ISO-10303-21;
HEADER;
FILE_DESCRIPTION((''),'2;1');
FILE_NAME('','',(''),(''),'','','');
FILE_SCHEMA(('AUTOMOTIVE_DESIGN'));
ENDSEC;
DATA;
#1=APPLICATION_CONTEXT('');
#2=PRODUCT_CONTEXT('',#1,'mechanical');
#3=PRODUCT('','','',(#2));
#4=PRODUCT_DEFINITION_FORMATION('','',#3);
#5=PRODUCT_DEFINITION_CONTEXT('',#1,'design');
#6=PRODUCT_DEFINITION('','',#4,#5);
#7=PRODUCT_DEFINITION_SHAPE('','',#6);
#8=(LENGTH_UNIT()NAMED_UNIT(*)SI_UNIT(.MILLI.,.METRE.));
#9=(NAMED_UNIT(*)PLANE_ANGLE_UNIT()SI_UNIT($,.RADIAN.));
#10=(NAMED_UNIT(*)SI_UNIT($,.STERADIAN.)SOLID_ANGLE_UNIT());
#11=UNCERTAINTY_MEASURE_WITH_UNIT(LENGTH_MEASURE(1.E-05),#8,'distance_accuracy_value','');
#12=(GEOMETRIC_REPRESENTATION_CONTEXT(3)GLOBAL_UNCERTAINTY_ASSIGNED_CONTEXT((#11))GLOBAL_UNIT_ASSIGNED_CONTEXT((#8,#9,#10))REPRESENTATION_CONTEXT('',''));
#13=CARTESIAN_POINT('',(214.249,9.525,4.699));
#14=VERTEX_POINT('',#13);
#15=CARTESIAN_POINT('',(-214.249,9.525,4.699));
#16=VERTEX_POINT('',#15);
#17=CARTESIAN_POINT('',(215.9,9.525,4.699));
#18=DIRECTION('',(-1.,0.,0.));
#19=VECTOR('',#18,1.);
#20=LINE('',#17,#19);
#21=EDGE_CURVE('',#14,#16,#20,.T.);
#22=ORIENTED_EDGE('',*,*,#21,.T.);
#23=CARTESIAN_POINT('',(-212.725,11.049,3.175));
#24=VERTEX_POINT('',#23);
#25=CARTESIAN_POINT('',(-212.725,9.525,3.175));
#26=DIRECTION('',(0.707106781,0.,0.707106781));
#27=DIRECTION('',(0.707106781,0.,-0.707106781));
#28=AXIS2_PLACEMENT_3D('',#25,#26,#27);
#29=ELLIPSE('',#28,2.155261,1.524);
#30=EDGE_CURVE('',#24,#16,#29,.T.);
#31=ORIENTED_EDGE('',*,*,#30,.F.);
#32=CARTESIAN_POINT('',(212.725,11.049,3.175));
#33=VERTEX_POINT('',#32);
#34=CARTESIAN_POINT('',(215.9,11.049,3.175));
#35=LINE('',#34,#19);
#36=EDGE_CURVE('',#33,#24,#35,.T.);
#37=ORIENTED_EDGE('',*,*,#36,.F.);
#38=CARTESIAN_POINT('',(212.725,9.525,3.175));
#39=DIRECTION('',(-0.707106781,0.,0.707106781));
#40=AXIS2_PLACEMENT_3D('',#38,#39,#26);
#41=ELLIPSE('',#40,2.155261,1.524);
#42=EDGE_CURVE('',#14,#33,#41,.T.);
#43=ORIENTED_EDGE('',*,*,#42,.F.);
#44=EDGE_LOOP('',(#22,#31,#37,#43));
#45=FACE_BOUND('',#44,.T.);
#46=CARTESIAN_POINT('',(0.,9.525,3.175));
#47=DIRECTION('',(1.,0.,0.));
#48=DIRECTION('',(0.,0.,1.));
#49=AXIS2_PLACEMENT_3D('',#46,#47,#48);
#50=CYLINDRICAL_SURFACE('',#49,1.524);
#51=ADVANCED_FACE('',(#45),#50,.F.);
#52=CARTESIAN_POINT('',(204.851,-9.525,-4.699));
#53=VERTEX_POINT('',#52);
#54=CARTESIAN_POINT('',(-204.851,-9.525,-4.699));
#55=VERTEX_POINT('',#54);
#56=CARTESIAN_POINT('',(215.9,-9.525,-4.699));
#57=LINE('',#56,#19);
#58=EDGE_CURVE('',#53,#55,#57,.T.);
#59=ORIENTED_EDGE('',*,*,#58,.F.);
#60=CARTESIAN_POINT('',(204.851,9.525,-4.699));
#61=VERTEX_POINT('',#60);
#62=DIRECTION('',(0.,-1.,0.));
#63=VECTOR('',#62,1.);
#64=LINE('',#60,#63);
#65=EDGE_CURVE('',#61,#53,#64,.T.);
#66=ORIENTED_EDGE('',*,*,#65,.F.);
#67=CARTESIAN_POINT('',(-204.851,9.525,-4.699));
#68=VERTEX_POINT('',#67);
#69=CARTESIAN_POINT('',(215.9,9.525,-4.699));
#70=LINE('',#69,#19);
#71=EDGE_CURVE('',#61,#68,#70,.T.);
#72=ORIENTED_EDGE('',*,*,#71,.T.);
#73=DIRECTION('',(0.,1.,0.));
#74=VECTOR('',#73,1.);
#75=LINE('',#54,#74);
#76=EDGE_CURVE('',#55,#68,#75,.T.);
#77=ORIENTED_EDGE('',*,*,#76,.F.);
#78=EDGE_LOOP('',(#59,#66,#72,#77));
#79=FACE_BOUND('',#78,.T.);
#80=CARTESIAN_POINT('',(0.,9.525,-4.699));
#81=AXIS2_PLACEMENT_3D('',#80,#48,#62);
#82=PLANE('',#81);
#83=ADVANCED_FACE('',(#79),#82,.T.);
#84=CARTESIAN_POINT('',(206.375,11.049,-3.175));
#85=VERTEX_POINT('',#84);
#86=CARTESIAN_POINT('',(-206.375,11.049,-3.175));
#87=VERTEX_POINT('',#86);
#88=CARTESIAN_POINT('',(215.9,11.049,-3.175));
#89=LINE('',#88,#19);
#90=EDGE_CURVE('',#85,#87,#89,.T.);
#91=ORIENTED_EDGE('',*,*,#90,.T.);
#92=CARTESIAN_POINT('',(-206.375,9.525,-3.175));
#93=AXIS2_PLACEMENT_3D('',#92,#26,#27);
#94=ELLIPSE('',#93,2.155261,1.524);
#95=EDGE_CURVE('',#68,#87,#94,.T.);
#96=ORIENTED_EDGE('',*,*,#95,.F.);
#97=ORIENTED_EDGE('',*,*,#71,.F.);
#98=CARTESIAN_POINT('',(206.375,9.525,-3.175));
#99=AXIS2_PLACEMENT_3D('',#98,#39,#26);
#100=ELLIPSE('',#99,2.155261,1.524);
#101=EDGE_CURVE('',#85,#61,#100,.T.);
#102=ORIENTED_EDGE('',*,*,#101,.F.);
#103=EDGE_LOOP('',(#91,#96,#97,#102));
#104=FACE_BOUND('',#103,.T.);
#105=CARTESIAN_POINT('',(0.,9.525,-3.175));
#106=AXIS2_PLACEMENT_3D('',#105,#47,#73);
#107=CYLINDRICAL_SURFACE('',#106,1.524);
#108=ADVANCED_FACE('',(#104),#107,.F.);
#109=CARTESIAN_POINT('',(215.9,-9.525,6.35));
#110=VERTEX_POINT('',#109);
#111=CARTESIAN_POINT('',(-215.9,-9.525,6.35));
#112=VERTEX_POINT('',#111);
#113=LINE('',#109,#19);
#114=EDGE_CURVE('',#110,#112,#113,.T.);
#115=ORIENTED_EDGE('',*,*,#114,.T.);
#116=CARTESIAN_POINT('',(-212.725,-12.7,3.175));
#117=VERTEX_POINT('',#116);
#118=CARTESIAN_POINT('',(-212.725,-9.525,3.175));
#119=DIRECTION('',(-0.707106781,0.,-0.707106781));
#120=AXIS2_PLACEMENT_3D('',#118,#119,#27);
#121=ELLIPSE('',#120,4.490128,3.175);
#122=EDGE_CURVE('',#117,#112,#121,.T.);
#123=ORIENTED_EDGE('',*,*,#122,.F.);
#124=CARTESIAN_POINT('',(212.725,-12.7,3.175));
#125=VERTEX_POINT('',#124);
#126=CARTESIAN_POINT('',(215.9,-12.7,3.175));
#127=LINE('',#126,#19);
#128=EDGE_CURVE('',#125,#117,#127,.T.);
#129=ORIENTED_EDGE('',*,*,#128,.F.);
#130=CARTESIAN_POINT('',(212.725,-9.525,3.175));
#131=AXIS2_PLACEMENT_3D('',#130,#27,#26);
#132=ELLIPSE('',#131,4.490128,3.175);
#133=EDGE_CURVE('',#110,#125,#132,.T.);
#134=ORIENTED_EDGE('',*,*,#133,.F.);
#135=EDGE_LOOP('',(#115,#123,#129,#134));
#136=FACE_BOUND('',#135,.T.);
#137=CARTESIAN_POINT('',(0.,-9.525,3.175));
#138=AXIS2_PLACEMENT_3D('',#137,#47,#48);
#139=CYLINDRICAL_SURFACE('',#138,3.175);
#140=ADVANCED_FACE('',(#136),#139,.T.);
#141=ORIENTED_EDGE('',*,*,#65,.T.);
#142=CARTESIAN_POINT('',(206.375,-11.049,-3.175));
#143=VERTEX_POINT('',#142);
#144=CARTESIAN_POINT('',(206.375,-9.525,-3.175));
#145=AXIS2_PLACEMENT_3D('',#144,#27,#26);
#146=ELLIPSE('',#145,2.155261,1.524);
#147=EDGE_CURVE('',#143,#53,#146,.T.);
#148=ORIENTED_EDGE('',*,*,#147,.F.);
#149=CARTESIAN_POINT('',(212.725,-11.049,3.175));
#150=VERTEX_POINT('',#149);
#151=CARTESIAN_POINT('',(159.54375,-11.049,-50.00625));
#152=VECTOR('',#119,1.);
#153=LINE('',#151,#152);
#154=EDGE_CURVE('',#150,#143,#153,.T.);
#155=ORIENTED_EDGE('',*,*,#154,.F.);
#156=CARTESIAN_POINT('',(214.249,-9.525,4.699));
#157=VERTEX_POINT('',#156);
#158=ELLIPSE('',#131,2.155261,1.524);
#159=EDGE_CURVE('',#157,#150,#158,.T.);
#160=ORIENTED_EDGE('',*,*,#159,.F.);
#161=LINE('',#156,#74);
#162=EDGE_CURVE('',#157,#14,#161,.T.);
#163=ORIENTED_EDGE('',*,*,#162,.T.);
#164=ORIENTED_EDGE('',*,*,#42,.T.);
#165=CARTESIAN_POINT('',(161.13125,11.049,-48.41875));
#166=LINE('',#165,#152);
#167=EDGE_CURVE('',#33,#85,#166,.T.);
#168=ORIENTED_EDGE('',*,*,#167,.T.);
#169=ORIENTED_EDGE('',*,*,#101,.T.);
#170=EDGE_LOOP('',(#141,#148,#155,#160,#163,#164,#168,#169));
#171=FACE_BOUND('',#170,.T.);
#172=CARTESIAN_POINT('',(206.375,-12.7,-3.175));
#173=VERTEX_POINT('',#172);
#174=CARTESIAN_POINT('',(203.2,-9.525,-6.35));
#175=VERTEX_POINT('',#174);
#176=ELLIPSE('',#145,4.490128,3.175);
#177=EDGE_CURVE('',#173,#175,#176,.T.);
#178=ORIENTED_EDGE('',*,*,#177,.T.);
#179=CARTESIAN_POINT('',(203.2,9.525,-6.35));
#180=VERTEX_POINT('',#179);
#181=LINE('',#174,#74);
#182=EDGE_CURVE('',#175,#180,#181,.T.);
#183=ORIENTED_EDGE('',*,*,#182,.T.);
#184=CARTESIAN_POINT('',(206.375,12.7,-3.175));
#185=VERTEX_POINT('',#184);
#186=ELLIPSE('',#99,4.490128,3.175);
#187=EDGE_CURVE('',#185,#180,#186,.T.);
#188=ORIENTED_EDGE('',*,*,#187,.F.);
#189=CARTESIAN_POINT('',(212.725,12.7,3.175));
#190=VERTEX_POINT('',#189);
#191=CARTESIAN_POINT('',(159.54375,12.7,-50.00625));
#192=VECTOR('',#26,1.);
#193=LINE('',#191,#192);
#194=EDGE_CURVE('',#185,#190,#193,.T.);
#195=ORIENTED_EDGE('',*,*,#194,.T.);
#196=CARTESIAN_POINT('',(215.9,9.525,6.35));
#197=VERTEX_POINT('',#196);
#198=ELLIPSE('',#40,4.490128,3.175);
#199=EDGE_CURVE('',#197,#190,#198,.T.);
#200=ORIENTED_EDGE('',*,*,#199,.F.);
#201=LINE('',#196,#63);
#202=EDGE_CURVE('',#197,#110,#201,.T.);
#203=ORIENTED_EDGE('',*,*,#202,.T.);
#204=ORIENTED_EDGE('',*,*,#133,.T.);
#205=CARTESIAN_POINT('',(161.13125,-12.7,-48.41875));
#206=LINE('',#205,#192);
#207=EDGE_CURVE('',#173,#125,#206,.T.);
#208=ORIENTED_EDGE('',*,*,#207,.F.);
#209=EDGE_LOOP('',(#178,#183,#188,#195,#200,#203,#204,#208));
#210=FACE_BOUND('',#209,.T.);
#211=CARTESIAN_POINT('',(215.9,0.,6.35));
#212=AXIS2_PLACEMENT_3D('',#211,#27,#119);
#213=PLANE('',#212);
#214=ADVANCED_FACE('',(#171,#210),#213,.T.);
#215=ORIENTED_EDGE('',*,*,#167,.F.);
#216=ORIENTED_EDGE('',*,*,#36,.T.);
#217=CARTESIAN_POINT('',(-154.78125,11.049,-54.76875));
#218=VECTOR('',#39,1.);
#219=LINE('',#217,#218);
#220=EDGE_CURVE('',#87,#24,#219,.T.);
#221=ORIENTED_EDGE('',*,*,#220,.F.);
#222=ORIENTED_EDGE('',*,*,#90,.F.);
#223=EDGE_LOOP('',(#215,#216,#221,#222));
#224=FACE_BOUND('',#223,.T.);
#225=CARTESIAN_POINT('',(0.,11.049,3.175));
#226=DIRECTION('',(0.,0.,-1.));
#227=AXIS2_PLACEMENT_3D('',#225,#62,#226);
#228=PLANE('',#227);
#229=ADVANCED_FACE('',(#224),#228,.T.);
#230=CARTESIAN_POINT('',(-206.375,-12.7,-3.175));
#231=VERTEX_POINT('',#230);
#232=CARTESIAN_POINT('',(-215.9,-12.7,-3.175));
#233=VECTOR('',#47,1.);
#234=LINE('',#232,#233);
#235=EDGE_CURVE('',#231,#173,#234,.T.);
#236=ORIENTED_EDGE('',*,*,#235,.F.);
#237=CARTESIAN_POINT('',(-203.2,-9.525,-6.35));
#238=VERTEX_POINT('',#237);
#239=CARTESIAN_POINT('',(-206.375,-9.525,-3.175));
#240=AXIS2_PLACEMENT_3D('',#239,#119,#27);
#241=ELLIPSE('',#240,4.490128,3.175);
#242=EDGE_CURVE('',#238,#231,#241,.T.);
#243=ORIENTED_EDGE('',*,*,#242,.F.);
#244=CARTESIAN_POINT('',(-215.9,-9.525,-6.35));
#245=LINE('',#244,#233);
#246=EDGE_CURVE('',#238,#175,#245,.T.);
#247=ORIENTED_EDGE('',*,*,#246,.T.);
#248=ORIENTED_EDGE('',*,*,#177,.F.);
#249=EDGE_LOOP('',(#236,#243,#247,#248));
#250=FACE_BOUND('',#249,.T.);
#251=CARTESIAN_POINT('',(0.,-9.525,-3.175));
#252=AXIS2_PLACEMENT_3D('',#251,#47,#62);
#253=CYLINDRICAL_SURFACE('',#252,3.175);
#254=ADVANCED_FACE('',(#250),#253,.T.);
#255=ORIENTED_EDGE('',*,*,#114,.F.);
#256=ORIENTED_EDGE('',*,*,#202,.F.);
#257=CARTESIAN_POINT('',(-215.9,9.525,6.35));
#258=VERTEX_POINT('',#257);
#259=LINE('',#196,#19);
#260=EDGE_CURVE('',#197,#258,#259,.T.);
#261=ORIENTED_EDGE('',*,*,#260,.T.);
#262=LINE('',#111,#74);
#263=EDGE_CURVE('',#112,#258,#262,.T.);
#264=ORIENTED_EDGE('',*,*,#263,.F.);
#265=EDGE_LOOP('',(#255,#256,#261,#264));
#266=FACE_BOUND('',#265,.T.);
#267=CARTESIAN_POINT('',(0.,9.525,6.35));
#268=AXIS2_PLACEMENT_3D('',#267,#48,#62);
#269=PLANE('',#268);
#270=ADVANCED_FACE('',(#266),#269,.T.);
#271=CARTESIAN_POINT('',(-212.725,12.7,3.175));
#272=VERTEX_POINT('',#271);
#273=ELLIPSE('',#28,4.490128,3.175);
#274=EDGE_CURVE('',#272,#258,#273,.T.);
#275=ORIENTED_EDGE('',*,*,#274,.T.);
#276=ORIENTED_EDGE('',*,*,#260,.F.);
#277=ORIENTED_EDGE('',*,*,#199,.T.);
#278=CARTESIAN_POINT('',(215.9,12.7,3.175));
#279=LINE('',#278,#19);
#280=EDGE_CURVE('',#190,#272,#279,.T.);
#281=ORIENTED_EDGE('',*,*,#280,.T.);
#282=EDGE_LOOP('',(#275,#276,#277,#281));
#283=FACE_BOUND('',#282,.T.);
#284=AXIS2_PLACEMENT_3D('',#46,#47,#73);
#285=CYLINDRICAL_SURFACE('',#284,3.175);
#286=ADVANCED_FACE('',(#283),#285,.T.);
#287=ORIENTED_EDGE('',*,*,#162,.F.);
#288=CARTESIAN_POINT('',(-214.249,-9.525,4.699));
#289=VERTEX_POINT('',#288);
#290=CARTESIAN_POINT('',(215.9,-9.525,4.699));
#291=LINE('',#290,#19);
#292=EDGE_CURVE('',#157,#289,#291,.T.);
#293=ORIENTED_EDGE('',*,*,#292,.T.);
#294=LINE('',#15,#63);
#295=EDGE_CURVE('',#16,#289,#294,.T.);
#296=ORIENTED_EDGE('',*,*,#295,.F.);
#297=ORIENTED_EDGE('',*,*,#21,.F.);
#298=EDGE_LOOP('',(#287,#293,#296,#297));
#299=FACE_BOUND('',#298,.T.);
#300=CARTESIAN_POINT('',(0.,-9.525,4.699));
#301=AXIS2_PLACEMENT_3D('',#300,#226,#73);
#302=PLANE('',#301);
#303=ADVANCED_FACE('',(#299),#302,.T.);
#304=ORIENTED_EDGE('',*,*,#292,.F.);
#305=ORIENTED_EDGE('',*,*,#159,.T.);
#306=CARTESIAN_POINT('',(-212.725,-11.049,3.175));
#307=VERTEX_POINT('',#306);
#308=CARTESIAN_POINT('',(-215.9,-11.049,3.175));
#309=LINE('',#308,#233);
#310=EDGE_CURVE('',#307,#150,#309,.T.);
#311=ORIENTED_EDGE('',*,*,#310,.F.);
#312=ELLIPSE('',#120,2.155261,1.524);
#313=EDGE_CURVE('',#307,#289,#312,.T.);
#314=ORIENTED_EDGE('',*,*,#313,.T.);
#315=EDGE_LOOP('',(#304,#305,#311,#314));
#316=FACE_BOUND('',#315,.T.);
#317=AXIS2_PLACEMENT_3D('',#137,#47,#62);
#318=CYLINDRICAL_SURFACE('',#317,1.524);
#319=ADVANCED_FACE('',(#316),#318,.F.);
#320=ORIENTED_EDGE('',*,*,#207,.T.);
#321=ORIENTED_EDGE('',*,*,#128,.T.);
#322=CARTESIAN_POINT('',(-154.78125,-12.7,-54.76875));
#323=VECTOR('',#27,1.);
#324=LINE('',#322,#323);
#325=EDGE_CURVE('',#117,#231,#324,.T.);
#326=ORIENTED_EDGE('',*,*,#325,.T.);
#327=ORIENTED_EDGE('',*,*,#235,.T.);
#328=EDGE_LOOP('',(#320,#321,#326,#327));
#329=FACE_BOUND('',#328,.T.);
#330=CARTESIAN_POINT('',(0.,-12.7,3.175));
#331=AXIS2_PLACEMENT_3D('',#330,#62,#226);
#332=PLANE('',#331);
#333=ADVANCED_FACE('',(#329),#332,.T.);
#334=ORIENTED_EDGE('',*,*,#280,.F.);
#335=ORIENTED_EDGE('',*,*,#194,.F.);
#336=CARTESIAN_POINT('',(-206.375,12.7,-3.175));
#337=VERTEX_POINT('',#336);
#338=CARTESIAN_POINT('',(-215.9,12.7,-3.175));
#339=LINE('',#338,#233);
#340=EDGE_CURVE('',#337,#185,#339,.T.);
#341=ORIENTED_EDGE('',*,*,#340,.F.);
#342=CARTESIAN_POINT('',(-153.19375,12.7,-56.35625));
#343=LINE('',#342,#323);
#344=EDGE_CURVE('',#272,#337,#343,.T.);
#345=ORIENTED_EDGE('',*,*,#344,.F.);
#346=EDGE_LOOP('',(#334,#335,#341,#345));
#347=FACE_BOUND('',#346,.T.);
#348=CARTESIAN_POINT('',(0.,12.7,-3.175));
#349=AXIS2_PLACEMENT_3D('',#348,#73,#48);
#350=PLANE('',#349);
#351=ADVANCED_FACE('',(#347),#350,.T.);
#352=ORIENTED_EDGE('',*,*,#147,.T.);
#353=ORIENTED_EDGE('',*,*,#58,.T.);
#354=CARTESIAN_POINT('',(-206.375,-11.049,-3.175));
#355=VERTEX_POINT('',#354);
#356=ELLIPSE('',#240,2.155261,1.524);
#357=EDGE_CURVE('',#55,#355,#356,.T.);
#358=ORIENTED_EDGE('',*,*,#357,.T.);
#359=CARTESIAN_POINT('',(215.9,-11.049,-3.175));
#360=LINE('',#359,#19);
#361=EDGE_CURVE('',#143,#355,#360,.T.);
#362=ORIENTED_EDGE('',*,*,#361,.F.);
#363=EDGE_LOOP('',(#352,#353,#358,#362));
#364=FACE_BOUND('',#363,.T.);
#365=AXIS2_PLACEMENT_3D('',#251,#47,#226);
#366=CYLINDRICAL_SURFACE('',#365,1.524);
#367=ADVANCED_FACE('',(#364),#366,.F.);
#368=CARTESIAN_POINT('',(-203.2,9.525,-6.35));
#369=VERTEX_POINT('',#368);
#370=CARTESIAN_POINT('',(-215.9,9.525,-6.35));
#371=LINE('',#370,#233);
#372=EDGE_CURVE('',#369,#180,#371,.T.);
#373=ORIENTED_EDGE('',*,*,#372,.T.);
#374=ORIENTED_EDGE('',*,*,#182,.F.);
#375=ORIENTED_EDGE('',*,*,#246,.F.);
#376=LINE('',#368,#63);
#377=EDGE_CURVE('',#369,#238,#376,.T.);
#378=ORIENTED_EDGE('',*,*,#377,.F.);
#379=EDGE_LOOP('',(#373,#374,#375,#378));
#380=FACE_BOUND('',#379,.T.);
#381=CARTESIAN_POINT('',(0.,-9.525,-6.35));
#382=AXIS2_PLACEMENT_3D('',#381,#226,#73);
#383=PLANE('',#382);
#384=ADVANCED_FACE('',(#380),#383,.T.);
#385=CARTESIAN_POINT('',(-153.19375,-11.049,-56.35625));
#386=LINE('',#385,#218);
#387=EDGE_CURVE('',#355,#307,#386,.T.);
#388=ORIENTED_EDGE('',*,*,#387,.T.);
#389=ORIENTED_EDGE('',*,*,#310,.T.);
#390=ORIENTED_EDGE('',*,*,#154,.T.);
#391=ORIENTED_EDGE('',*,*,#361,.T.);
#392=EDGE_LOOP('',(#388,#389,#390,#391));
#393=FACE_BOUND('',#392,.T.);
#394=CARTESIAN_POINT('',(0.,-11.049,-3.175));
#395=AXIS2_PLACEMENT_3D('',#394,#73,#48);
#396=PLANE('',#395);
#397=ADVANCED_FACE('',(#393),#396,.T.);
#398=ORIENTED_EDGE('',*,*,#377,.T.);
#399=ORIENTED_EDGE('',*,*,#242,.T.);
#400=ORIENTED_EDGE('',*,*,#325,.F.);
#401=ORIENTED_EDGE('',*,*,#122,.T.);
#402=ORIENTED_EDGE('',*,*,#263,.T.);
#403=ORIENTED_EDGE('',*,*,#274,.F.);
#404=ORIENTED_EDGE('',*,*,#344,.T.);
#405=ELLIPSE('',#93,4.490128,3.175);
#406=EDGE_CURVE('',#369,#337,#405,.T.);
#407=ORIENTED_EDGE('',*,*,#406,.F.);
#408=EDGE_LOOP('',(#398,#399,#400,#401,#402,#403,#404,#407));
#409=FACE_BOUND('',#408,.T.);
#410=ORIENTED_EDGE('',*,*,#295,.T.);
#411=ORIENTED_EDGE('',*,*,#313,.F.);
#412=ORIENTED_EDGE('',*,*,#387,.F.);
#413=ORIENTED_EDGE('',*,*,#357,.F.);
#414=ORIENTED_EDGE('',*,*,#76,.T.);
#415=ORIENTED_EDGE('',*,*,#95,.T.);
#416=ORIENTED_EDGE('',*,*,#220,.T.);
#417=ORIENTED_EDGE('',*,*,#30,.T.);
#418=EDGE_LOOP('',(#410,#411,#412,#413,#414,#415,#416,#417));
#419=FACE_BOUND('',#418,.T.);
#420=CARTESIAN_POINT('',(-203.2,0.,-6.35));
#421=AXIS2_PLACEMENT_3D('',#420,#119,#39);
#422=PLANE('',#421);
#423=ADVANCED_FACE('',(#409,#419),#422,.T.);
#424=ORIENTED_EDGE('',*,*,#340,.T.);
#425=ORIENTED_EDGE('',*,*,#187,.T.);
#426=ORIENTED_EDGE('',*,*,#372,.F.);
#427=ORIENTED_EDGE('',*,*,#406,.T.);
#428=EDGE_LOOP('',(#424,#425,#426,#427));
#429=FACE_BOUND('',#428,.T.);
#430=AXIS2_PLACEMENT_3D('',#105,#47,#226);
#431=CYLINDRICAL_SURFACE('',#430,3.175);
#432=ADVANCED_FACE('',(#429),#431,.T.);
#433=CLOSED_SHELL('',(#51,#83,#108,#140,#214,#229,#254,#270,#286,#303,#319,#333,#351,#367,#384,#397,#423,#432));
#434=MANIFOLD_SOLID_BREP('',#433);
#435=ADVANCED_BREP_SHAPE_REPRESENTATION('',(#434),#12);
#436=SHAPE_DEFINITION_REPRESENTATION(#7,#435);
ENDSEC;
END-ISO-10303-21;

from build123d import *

# Parameters (mm, degrees)
F1_DEPTH      = 215.9
F3_DEPTH      = 12.701
F3_DEPTH_BACK = 12.701


with BuildPart() as f1:
    # F0 (on Right) → F1 (new body, symmetric)
    with BuildSketch(Plane.YZ):
        with BuildLine():
            Line((-12.7, 3.175), (-12.7, -3.175))
            ThreePointArc((-12.7, -3.175), (-11.7700640303, -5.4200640303), (-9.525, -6.35))
            Line((-9.525, -6.35), (9.525, -6.35))
            ThreePointArc((9.525, -6.35), (11.7700640303, -5.4200640303), (12.7, -3.175))
            Line((12.7, -3.175), (12.7, 3.175))
            ThreePointArc((12.7, 3.175), (11.7700640303, 5.4200640303), (9.525, 6.35))
            Line((9.525, 6.35), (-9.525, 6.35))
            ThreePointArc((-9.525, 6.35), (-11.7700640303, 5.4200640303), (-12.7, 3.175))
        make_face()
        with BuildLine():
            ThreePointArc((-11.049, 3.175), (-10.6026307345, 4.2526307345), (-9.525, 4.699))
            Line((-9.525, 4.699), (9.525, 4.699))
            ThreePointArc((9.525, 4.699), (10.6026307345, 4.2526307345), (11.049, 3.175))
            Line((11.049, 3.175), (11.049, -3.175))
            ThreePointArc((11.049, -3.175), (10.6026307345, -4.2526307345), (9.525, -4.699))
            Line((9.525, -4.699), (-9.525, -4.699))
            ThreePointArc((-9.525, -4.699), (-10.6026307345, -4.2526307345), (-11.049, -3.175))
            Line((-11.049, -3.175), (-11.049, 3.175))
        make_face(mode=Mode.SUBTRACT)
    extrude(amount=F1_DEPTH, both=True)

    # F2 (on Front) → F3 (cut, two sides)
    with BuildSketch(Plane.XZ) as f3_sk:
        Polygon((-215.9, 6.35), (-215.9, -6.35), (-203.2, -6.35), align=None)
        Polygon((203.2, -6.35), (215.9, -6.35), (215.9, 6.35), align=None)
    extrude(amount=-F3_DEPTH, mode=Mode.SUBTRACT)
    extrude(f3_sk.sketch, amount=F3_DEPTH_BACK, mode=Mode.SUBTRACT)


solid = f1.part
